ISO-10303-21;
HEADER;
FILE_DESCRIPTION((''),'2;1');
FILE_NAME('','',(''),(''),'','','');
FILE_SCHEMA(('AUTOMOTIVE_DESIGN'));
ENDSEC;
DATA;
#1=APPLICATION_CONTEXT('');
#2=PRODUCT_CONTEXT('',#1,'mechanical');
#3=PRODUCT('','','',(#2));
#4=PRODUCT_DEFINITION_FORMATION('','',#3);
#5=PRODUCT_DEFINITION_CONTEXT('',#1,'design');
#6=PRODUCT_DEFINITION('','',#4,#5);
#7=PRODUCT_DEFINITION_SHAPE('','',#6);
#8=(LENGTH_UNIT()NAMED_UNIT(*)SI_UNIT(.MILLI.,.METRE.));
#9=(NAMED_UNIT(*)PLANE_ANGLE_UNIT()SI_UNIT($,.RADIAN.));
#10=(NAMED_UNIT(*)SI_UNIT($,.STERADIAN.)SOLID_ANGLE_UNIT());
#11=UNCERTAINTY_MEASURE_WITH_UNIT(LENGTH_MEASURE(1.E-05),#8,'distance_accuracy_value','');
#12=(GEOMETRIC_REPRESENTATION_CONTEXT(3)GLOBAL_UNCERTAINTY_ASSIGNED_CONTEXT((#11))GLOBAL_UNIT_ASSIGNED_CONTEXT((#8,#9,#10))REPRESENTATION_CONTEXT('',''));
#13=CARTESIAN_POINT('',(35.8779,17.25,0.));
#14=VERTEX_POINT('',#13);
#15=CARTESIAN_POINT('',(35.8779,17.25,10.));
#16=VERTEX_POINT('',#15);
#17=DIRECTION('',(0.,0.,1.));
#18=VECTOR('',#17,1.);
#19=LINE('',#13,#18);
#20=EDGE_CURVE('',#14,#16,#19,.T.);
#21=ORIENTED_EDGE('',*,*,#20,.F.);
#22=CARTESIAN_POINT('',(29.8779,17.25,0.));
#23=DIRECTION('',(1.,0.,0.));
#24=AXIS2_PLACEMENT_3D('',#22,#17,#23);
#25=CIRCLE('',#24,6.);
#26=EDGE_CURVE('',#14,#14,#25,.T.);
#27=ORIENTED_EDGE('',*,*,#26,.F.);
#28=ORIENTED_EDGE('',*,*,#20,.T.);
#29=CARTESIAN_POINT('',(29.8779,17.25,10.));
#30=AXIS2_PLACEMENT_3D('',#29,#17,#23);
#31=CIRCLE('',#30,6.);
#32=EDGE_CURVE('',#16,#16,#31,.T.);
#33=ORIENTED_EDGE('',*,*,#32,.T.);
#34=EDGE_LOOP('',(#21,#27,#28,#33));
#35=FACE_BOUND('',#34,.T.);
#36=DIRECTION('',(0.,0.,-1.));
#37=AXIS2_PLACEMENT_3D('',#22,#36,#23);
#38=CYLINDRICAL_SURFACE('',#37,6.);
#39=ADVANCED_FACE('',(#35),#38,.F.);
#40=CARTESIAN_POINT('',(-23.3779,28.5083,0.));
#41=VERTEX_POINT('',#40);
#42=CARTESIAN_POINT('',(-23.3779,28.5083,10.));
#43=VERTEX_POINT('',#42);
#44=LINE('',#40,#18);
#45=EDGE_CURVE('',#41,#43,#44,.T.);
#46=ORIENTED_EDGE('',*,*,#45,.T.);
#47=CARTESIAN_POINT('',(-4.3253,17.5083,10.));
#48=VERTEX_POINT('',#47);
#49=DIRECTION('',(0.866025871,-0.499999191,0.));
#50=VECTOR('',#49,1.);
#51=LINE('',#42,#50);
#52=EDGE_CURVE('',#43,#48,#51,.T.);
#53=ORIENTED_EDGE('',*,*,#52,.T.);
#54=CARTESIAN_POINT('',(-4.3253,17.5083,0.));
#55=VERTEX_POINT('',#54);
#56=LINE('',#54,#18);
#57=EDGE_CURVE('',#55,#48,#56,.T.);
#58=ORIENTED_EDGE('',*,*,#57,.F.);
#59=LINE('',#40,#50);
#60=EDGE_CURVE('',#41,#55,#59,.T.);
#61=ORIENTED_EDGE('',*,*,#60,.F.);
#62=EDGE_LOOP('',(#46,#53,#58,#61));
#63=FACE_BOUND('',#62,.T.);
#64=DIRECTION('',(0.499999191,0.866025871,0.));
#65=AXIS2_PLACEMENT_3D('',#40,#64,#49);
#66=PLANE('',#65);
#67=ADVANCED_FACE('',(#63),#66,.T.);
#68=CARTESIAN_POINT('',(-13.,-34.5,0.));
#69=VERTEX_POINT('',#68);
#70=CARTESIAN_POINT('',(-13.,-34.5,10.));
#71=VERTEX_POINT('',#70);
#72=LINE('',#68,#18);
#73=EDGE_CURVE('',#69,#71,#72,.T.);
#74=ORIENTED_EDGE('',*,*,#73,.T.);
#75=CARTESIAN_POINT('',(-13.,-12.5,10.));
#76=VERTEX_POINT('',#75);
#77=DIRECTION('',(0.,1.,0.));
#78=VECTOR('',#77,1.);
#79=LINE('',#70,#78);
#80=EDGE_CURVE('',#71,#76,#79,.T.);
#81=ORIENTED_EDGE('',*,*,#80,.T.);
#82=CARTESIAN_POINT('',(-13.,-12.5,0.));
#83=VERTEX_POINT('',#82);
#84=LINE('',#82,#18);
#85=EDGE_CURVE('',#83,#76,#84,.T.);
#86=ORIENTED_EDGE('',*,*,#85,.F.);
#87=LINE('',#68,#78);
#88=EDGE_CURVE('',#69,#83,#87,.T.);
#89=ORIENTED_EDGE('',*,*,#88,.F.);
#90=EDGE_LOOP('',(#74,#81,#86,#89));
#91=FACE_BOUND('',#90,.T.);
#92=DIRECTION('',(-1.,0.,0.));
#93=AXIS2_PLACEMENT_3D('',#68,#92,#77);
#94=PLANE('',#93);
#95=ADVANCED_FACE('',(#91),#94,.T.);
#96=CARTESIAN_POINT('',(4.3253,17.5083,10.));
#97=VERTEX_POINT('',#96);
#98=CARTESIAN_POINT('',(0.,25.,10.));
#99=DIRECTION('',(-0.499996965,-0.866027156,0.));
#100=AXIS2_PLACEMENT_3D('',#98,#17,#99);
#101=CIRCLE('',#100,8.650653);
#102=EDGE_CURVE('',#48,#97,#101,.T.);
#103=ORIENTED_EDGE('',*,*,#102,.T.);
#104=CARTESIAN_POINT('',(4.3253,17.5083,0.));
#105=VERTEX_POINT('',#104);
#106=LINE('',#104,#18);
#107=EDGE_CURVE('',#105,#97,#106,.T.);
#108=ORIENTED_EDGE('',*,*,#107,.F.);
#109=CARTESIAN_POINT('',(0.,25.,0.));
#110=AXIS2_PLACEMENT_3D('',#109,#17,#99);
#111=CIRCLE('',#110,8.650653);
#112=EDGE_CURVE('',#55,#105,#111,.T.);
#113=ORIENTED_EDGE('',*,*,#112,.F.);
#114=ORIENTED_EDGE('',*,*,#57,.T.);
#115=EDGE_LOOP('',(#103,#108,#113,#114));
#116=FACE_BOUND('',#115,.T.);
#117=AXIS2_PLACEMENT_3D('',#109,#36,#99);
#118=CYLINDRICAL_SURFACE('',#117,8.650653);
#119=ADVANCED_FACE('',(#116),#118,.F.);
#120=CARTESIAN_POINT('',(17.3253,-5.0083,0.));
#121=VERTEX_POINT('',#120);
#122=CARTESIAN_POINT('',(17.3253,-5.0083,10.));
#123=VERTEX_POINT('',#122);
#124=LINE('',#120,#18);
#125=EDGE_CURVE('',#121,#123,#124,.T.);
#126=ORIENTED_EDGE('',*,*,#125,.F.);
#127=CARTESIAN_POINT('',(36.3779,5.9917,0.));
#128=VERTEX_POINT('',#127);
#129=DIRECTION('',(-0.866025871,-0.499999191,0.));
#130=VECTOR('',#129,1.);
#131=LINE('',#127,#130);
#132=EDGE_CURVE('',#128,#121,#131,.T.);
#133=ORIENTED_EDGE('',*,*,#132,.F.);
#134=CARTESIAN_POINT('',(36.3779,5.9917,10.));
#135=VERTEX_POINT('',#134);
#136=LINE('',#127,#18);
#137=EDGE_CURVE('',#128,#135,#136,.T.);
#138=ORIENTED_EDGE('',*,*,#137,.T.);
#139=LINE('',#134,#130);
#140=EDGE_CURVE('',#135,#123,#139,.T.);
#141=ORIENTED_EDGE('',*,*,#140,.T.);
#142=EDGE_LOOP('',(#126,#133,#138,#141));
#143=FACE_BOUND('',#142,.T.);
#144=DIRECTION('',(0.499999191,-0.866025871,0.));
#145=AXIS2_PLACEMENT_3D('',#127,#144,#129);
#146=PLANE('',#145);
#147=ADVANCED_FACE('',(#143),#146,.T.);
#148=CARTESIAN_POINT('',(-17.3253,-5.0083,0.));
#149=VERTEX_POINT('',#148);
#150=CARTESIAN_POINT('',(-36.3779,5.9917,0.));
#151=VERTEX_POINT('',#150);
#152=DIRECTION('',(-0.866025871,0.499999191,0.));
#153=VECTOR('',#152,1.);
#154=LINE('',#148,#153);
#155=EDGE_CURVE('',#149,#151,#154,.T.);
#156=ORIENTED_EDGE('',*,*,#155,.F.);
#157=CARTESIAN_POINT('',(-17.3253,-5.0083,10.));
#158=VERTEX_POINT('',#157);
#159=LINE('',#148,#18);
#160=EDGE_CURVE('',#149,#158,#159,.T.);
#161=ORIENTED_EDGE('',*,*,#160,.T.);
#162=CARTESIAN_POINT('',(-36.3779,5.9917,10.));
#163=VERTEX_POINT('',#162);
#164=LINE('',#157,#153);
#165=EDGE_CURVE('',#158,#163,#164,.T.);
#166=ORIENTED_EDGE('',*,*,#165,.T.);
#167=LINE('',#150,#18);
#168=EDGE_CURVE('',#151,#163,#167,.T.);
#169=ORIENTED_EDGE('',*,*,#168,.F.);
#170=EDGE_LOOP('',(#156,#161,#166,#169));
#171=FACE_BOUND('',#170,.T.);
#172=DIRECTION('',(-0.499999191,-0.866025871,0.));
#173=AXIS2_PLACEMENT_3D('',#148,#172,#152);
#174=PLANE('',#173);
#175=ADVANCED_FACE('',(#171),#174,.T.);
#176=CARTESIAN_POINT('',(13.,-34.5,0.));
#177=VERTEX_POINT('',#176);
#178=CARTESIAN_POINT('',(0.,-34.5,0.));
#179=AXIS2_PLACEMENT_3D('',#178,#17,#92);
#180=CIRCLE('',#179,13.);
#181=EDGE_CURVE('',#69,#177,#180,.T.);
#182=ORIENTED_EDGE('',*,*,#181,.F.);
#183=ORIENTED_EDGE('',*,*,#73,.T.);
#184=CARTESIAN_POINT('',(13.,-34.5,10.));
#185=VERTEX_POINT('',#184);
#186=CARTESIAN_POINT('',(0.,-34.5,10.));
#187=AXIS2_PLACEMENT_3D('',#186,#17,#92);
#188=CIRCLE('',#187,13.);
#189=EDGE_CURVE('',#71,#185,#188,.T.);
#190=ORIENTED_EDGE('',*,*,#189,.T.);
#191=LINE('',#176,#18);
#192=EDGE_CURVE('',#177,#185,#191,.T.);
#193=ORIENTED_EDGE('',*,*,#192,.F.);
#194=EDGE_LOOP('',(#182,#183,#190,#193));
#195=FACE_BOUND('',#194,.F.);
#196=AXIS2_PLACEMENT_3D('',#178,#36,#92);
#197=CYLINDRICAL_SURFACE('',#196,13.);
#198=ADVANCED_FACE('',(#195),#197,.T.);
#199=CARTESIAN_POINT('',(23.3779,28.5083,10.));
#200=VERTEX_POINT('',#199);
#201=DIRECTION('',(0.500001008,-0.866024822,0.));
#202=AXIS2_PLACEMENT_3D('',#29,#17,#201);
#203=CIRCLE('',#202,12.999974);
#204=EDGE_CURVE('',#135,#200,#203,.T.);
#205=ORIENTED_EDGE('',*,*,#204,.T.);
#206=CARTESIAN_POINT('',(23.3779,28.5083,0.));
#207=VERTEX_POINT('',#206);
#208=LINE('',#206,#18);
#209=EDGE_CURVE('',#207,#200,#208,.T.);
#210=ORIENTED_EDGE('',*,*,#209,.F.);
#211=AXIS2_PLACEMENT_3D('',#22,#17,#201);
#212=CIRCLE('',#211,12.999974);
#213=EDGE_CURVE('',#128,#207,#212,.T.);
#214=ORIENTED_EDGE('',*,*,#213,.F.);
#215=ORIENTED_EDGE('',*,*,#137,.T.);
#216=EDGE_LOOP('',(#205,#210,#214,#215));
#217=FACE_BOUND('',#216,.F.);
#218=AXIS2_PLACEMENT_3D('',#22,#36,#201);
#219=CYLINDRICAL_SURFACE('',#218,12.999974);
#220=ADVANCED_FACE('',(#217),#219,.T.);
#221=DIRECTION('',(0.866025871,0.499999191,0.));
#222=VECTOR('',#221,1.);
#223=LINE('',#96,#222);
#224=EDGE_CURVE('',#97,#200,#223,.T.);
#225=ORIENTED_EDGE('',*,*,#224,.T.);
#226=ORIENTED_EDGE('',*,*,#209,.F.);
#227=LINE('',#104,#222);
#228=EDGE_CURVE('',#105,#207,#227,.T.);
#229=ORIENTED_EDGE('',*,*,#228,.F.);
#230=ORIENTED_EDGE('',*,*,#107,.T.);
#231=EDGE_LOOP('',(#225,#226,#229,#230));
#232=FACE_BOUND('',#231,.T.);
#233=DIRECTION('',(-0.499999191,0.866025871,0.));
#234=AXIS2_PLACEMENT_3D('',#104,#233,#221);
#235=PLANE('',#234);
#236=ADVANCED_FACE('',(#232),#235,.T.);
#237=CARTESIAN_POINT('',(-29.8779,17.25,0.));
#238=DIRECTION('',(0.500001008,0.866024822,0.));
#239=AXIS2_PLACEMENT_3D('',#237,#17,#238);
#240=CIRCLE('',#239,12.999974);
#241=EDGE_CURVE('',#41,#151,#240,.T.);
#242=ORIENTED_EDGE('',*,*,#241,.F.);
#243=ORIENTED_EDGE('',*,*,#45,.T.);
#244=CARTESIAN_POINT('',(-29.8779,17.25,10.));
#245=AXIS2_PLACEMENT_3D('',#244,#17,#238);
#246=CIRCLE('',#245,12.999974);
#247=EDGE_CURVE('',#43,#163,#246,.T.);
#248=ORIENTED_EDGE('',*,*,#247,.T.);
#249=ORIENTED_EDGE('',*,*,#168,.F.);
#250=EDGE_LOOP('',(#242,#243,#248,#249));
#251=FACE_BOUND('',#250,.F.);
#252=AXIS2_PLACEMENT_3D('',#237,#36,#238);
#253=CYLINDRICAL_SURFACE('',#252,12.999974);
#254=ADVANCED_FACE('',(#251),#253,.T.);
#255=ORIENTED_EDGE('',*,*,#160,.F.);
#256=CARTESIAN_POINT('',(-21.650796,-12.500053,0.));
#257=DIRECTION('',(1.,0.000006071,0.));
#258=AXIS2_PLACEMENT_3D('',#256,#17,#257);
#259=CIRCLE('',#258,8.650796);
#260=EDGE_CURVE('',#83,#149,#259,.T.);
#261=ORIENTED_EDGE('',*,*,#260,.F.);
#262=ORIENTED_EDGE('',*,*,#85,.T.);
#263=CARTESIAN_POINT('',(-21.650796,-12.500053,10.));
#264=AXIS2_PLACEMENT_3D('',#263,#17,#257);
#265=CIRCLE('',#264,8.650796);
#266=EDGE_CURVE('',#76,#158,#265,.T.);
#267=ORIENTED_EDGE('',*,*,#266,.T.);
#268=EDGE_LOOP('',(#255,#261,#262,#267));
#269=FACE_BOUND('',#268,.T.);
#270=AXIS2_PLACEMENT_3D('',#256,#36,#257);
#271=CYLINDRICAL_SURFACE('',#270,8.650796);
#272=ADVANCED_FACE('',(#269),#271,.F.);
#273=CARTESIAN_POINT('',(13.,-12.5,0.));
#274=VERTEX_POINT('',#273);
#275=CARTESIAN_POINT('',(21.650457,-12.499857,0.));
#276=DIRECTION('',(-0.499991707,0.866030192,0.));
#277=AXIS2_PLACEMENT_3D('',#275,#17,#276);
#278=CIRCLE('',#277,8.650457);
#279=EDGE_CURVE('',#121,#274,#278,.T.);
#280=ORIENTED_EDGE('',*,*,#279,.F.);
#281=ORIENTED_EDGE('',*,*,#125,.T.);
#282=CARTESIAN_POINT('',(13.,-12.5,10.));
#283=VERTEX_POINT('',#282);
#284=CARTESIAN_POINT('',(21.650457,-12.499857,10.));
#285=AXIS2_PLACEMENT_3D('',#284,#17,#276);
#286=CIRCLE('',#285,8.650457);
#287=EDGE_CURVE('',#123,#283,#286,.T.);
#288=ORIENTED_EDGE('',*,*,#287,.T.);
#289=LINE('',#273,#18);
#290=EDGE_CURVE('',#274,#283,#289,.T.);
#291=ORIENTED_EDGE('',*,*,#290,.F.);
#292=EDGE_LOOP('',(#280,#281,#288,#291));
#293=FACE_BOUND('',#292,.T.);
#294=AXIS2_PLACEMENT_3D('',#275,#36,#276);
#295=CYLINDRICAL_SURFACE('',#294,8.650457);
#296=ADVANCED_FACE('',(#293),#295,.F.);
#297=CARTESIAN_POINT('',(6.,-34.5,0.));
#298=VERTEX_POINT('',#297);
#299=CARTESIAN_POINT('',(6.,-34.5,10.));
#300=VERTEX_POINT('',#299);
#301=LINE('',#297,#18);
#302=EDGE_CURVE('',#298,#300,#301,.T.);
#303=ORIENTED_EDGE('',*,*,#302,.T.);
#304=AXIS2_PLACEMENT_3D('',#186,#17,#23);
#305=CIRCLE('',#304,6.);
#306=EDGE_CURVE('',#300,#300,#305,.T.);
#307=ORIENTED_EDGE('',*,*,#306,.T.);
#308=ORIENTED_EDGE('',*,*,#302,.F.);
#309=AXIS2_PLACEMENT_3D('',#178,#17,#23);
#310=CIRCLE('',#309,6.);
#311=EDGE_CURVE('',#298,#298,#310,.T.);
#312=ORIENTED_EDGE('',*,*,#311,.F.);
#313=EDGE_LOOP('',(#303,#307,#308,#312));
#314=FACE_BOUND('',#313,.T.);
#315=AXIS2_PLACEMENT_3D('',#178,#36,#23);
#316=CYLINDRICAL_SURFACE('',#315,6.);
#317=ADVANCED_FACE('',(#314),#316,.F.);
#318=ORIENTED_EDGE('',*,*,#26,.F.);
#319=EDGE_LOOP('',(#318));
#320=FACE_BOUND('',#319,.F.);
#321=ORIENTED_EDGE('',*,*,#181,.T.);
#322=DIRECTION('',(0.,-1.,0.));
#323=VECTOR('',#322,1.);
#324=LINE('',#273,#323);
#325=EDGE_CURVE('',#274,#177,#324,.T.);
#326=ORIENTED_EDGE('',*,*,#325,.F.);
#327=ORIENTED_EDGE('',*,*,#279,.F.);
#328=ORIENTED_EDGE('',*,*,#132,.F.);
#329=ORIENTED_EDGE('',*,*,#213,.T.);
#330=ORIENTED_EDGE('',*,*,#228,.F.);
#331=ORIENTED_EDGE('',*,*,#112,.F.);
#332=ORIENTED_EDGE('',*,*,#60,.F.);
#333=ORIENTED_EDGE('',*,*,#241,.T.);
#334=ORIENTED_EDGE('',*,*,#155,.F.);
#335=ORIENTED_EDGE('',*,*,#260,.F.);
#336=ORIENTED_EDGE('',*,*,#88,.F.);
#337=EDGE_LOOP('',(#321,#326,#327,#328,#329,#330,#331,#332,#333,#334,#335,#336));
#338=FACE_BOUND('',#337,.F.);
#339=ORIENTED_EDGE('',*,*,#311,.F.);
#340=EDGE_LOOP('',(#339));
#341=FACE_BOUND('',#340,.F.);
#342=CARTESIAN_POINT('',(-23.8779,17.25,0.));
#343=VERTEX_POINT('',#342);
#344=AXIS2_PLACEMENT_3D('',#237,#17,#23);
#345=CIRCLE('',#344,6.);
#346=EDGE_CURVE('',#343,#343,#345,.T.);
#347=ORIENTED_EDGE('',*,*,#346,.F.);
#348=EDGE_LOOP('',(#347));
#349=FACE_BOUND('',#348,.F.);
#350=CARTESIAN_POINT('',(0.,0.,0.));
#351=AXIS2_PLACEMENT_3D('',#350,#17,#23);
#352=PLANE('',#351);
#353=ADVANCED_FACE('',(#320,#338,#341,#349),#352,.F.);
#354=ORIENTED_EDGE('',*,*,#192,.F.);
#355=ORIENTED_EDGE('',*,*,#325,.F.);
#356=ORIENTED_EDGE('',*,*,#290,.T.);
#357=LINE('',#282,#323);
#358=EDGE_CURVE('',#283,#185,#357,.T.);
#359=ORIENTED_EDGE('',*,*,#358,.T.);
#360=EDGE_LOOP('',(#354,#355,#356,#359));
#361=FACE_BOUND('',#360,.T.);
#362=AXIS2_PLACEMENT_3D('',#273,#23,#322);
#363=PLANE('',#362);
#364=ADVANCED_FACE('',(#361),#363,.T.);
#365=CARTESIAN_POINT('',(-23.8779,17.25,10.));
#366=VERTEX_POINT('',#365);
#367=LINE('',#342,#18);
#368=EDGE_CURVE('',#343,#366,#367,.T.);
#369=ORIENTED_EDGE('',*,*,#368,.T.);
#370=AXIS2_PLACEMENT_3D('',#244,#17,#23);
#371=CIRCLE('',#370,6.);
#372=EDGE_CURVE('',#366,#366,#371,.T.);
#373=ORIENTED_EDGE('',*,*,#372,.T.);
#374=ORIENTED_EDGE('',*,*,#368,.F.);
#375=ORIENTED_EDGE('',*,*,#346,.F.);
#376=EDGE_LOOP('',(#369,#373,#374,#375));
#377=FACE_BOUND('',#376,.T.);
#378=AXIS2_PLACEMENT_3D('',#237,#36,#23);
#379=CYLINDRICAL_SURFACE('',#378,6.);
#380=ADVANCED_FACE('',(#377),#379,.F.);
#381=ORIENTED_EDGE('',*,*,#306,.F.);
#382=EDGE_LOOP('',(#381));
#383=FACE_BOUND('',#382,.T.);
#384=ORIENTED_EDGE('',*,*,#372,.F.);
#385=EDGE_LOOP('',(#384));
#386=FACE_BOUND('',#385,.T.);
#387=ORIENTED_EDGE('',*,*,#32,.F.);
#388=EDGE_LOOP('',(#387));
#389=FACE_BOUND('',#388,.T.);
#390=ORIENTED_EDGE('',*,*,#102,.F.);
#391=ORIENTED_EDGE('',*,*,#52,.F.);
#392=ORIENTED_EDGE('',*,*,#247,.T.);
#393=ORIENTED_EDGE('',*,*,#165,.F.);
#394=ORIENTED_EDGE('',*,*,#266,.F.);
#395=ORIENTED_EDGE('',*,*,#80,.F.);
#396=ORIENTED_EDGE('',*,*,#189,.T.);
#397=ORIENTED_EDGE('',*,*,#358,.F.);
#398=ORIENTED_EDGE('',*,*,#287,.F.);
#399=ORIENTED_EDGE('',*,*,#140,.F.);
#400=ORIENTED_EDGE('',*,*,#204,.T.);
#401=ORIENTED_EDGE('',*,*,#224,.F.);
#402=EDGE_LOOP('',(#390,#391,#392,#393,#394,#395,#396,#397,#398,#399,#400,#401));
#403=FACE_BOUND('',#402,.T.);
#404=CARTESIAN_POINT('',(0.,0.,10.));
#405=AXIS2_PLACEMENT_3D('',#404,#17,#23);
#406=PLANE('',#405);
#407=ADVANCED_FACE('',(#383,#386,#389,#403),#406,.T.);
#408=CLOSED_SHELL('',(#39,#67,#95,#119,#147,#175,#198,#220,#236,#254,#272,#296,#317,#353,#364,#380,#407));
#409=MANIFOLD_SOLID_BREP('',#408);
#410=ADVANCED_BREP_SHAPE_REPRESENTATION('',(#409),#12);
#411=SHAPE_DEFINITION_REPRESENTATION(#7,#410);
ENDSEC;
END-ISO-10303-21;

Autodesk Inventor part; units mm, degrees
ref_plane "YZ Plane" through (0, 0, 0) normal (1, 0, 0) x (0, 1, 0)
ref_plane "XZ Plane" through (0, 0, 0) normal (0, 1, 0) x (-1, 0, 0)
ref_plane "XY Plane" through (0, 0, 0) normal (0, 0, 1) x (1, 0, 0)
sketch "草圖1" plane through (0, 0, 0) normal (0, 0, 1) x (1, 0, 0)
  line L0 (0, 0) -> (-29.8779, 17.25) construction
  line L1 (0, 0) -> (0, -34.5) construction
  circle A0 centre (29.8779, 17.25) radius 6
  circle A1 centre (0, -34.5) radius 6
  circle A2 centre (-29.8779, 17.25) radius 6
  line L2 (-23.3779, 28.5083) -> (-4.3253, 17.5083)
  arc A3 (-4.3253, 17.5083) -> (4.3253, 17.5083) centre (0, 25) ccw
  line L3 (4.3253, 17.5083) -> (23.3779, 28.5083)
  line L4 (23.3779, 28.5083) -> (23.3779, 28.5083)
  arc A4 (36.3779, 5.9917) -> (23.3779, 28.5083) centre (29.8779, 17.25) ccw
  line L5 (36.3779, 5.9917) -> (17.3253, -5.0083)
  arc A5 (17.3253, -5.0083) -> (13, -12.5) centre (21.6506, -12.5) ccw
  line L6 (13, -12.5) -> (13, -34.5)
  arc A6 (-13, -34.5) -> (13, -34.5) centre (0, -34.5) ccw
  line L7 (-13, -34.5) -> (-13, -12.5)
  arc A7 (-13, -12.5) -> (-17.3253, -5.0083) centre (-21.6506, -12.5) ccw
  line L8 (-17.3253, -5.0083) -> (-36.3779, 5.9917)
  arc A8 (-23.3779, 28.5083) -> (-36.3779, 5.9917) centre (-29.8779, 17.25) ccw
  line L9 (0, 0) -> (29.8779, 17.25) construction
  dimension "d0" = 34.5
  dimension "d4" = 120
  dimension "d5" = 34.5
  dimension "d6" = 12
  dimension "d7" = 12
  dimension "d8" = 12
  dimension "d9" = 7
  dimension "d10" = 7
  dimension "d11" = 7
  dimension "d12" = 34.5
  dimension "d13" = 120
  dimension "d35" = 25
extrude "擠出1" add sketch "草圖1" along normal blind 10
equation "\"d10\" = d9"
equation "\"d11\" = d9"
properties part number "carrier2"
